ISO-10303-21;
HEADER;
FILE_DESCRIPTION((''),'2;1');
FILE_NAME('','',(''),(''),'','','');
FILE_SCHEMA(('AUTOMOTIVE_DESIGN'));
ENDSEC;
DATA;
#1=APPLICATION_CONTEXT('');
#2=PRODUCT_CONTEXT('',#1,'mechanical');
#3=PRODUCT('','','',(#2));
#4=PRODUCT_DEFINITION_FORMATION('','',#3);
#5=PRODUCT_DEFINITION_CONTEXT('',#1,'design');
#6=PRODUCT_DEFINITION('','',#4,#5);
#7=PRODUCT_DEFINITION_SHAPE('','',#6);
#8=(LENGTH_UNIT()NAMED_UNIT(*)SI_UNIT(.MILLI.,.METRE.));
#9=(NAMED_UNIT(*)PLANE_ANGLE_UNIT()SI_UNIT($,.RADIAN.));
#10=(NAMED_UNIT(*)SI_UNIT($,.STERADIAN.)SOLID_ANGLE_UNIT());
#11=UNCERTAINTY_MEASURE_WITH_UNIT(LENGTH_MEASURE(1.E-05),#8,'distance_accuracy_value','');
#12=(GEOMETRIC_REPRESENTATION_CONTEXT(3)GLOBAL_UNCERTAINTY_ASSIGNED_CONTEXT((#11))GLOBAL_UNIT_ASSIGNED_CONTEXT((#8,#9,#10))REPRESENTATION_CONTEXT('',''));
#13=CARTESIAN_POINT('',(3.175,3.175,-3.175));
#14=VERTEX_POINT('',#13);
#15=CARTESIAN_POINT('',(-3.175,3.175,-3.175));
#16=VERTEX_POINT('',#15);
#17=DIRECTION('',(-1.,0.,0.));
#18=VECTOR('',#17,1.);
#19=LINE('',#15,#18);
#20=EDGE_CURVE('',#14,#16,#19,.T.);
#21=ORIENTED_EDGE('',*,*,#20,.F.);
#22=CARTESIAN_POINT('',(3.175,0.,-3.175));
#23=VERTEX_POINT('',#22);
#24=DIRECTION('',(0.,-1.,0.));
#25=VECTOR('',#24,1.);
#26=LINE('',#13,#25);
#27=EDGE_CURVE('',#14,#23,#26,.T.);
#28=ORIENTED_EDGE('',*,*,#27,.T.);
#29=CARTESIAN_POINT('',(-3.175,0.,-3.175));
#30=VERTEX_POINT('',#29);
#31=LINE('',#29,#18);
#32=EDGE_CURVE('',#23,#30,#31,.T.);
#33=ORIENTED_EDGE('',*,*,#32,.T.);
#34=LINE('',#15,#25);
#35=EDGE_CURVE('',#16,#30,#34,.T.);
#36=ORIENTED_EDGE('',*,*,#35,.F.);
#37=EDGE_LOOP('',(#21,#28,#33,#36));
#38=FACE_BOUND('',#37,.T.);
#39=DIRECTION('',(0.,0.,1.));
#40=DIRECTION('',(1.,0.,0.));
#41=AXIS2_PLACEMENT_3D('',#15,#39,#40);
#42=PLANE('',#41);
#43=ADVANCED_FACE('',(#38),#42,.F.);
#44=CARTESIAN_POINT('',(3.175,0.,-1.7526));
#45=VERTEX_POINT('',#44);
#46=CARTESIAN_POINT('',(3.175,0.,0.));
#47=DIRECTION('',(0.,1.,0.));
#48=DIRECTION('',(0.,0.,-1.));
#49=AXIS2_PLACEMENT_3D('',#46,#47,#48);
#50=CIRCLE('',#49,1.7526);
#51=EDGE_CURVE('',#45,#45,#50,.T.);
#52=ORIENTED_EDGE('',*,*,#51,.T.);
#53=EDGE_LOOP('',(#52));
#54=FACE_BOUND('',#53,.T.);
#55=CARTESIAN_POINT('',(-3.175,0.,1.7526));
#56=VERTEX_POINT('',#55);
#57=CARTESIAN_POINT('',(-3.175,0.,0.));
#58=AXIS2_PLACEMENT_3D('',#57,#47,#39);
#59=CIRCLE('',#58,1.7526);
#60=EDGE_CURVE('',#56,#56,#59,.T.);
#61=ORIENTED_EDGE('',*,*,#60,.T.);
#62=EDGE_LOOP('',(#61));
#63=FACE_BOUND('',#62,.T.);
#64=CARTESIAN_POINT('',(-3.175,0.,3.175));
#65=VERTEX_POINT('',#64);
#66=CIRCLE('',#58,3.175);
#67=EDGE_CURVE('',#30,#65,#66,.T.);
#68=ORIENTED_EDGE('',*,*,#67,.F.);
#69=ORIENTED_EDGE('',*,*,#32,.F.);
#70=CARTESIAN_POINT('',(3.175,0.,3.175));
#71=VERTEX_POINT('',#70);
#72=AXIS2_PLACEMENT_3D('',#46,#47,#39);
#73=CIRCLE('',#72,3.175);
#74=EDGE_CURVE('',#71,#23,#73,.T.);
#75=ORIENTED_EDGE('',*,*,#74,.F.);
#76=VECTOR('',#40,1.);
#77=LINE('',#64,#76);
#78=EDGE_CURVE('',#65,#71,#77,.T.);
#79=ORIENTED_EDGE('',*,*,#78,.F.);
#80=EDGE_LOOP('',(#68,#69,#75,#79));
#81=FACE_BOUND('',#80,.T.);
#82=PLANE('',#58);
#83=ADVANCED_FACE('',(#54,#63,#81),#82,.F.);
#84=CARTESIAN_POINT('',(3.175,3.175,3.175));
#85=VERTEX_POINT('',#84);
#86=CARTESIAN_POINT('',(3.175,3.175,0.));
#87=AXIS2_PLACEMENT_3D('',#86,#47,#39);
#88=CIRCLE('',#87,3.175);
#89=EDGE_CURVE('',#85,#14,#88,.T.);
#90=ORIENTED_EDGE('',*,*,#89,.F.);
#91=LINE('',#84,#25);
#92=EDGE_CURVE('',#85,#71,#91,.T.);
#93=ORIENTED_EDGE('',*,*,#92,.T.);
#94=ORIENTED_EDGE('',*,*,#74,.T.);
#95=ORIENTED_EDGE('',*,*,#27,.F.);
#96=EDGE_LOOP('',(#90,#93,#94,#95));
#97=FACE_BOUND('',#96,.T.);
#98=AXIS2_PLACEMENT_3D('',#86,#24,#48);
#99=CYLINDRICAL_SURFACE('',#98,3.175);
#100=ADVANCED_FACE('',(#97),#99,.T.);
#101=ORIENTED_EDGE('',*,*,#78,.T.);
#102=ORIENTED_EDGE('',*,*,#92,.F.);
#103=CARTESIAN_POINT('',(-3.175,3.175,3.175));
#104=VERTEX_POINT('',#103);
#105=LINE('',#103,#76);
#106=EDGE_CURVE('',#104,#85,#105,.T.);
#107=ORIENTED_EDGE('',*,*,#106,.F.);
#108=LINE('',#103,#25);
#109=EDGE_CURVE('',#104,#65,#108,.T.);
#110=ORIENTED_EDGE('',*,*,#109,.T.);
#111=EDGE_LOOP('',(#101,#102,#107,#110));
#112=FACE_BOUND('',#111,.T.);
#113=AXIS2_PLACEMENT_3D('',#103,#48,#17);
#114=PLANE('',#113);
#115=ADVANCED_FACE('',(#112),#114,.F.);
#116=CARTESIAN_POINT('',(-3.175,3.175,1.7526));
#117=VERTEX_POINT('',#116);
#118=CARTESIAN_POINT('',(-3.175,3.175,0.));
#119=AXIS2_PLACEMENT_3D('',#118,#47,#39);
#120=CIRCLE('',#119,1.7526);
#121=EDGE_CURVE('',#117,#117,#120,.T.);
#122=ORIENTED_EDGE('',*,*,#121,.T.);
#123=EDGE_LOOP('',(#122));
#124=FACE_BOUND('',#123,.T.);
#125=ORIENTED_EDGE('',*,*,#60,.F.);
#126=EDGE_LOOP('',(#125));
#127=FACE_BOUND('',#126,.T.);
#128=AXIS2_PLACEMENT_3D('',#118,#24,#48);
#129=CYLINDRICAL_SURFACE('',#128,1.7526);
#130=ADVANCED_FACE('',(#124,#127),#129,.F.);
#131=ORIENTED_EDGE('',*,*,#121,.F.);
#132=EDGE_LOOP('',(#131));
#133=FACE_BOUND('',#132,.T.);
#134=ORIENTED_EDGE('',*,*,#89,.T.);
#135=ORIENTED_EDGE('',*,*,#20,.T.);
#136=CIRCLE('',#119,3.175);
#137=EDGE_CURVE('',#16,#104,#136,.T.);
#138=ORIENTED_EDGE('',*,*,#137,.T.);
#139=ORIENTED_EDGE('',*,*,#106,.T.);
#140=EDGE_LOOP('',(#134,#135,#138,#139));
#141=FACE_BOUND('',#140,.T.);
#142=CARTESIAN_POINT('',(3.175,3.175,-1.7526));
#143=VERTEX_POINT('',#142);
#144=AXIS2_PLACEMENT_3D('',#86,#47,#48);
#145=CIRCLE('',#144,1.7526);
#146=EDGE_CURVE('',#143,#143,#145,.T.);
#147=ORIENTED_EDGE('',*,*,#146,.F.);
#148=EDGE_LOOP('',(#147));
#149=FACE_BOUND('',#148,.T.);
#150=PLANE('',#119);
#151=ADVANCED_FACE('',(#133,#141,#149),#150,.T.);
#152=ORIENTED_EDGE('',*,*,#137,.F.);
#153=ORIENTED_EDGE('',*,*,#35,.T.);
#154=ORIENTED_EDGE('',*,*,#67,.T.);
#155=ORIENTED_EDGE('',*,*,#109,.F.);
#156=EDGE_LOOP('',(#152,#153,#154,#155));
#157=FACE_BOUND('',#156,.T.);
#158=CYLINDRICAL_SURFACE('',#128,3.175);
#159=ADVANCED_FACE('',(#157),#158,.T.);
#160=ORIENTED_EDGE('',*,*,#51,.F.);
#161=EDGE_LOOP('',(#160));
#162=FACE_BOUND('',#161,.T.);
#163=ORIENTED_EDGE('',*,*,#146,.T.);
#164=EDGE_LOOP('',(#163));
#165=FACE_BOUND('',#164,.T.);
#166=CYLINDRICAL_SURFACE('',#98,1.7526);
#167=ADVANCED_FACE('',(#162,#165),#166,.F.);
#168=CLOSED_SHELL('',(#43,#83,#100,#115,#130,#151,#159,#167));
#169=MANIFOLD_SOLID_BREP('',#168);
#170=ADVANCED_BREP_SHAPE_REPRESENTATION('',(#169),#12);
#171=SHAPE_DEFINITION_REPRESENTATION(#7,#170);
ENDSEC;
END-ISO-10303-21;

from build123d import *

# Parameters (mm, degrees)
SKETCH1_R           = 1.7526
BOSS_EXTRUDE1_DEPTH = 3.175


with BuildPart() as part:
    # Sketch1 → Boss-Extrude1 (new body)
    with BuildSketch(Plane(origin=(0, 0, 0), x_dir=(1, 0, 0), z_dir=(0, 1, 0))):
        with BuildLine():
            Line((-3.175, 3.175), (3.175, 3.175))
            ThreePointArc((3.175, 3.175), (6.35, 0), (3.175, -3.175))
            Line((3.175, -3.175), (-3.175, -3.175))
            ThreePointArc((-3.175, -3.175), (-6.35, 0), (-3.175, 3.175))
        make_face()
        with Locations(Location((-3.175, 0, 0), (0, 0, 270))):
            Circle(SKETCH1_R, mode=Mode.SUBTRACT)
        with Locations(Location((3.175, 0, 0), (0, 0, 90))):
            Circle(SKETCH1_R, mode=Mode.SUBTRACT)
    extrude(amount=BOSS_EXTRUDE1_DEPTH)


solid = part.part
